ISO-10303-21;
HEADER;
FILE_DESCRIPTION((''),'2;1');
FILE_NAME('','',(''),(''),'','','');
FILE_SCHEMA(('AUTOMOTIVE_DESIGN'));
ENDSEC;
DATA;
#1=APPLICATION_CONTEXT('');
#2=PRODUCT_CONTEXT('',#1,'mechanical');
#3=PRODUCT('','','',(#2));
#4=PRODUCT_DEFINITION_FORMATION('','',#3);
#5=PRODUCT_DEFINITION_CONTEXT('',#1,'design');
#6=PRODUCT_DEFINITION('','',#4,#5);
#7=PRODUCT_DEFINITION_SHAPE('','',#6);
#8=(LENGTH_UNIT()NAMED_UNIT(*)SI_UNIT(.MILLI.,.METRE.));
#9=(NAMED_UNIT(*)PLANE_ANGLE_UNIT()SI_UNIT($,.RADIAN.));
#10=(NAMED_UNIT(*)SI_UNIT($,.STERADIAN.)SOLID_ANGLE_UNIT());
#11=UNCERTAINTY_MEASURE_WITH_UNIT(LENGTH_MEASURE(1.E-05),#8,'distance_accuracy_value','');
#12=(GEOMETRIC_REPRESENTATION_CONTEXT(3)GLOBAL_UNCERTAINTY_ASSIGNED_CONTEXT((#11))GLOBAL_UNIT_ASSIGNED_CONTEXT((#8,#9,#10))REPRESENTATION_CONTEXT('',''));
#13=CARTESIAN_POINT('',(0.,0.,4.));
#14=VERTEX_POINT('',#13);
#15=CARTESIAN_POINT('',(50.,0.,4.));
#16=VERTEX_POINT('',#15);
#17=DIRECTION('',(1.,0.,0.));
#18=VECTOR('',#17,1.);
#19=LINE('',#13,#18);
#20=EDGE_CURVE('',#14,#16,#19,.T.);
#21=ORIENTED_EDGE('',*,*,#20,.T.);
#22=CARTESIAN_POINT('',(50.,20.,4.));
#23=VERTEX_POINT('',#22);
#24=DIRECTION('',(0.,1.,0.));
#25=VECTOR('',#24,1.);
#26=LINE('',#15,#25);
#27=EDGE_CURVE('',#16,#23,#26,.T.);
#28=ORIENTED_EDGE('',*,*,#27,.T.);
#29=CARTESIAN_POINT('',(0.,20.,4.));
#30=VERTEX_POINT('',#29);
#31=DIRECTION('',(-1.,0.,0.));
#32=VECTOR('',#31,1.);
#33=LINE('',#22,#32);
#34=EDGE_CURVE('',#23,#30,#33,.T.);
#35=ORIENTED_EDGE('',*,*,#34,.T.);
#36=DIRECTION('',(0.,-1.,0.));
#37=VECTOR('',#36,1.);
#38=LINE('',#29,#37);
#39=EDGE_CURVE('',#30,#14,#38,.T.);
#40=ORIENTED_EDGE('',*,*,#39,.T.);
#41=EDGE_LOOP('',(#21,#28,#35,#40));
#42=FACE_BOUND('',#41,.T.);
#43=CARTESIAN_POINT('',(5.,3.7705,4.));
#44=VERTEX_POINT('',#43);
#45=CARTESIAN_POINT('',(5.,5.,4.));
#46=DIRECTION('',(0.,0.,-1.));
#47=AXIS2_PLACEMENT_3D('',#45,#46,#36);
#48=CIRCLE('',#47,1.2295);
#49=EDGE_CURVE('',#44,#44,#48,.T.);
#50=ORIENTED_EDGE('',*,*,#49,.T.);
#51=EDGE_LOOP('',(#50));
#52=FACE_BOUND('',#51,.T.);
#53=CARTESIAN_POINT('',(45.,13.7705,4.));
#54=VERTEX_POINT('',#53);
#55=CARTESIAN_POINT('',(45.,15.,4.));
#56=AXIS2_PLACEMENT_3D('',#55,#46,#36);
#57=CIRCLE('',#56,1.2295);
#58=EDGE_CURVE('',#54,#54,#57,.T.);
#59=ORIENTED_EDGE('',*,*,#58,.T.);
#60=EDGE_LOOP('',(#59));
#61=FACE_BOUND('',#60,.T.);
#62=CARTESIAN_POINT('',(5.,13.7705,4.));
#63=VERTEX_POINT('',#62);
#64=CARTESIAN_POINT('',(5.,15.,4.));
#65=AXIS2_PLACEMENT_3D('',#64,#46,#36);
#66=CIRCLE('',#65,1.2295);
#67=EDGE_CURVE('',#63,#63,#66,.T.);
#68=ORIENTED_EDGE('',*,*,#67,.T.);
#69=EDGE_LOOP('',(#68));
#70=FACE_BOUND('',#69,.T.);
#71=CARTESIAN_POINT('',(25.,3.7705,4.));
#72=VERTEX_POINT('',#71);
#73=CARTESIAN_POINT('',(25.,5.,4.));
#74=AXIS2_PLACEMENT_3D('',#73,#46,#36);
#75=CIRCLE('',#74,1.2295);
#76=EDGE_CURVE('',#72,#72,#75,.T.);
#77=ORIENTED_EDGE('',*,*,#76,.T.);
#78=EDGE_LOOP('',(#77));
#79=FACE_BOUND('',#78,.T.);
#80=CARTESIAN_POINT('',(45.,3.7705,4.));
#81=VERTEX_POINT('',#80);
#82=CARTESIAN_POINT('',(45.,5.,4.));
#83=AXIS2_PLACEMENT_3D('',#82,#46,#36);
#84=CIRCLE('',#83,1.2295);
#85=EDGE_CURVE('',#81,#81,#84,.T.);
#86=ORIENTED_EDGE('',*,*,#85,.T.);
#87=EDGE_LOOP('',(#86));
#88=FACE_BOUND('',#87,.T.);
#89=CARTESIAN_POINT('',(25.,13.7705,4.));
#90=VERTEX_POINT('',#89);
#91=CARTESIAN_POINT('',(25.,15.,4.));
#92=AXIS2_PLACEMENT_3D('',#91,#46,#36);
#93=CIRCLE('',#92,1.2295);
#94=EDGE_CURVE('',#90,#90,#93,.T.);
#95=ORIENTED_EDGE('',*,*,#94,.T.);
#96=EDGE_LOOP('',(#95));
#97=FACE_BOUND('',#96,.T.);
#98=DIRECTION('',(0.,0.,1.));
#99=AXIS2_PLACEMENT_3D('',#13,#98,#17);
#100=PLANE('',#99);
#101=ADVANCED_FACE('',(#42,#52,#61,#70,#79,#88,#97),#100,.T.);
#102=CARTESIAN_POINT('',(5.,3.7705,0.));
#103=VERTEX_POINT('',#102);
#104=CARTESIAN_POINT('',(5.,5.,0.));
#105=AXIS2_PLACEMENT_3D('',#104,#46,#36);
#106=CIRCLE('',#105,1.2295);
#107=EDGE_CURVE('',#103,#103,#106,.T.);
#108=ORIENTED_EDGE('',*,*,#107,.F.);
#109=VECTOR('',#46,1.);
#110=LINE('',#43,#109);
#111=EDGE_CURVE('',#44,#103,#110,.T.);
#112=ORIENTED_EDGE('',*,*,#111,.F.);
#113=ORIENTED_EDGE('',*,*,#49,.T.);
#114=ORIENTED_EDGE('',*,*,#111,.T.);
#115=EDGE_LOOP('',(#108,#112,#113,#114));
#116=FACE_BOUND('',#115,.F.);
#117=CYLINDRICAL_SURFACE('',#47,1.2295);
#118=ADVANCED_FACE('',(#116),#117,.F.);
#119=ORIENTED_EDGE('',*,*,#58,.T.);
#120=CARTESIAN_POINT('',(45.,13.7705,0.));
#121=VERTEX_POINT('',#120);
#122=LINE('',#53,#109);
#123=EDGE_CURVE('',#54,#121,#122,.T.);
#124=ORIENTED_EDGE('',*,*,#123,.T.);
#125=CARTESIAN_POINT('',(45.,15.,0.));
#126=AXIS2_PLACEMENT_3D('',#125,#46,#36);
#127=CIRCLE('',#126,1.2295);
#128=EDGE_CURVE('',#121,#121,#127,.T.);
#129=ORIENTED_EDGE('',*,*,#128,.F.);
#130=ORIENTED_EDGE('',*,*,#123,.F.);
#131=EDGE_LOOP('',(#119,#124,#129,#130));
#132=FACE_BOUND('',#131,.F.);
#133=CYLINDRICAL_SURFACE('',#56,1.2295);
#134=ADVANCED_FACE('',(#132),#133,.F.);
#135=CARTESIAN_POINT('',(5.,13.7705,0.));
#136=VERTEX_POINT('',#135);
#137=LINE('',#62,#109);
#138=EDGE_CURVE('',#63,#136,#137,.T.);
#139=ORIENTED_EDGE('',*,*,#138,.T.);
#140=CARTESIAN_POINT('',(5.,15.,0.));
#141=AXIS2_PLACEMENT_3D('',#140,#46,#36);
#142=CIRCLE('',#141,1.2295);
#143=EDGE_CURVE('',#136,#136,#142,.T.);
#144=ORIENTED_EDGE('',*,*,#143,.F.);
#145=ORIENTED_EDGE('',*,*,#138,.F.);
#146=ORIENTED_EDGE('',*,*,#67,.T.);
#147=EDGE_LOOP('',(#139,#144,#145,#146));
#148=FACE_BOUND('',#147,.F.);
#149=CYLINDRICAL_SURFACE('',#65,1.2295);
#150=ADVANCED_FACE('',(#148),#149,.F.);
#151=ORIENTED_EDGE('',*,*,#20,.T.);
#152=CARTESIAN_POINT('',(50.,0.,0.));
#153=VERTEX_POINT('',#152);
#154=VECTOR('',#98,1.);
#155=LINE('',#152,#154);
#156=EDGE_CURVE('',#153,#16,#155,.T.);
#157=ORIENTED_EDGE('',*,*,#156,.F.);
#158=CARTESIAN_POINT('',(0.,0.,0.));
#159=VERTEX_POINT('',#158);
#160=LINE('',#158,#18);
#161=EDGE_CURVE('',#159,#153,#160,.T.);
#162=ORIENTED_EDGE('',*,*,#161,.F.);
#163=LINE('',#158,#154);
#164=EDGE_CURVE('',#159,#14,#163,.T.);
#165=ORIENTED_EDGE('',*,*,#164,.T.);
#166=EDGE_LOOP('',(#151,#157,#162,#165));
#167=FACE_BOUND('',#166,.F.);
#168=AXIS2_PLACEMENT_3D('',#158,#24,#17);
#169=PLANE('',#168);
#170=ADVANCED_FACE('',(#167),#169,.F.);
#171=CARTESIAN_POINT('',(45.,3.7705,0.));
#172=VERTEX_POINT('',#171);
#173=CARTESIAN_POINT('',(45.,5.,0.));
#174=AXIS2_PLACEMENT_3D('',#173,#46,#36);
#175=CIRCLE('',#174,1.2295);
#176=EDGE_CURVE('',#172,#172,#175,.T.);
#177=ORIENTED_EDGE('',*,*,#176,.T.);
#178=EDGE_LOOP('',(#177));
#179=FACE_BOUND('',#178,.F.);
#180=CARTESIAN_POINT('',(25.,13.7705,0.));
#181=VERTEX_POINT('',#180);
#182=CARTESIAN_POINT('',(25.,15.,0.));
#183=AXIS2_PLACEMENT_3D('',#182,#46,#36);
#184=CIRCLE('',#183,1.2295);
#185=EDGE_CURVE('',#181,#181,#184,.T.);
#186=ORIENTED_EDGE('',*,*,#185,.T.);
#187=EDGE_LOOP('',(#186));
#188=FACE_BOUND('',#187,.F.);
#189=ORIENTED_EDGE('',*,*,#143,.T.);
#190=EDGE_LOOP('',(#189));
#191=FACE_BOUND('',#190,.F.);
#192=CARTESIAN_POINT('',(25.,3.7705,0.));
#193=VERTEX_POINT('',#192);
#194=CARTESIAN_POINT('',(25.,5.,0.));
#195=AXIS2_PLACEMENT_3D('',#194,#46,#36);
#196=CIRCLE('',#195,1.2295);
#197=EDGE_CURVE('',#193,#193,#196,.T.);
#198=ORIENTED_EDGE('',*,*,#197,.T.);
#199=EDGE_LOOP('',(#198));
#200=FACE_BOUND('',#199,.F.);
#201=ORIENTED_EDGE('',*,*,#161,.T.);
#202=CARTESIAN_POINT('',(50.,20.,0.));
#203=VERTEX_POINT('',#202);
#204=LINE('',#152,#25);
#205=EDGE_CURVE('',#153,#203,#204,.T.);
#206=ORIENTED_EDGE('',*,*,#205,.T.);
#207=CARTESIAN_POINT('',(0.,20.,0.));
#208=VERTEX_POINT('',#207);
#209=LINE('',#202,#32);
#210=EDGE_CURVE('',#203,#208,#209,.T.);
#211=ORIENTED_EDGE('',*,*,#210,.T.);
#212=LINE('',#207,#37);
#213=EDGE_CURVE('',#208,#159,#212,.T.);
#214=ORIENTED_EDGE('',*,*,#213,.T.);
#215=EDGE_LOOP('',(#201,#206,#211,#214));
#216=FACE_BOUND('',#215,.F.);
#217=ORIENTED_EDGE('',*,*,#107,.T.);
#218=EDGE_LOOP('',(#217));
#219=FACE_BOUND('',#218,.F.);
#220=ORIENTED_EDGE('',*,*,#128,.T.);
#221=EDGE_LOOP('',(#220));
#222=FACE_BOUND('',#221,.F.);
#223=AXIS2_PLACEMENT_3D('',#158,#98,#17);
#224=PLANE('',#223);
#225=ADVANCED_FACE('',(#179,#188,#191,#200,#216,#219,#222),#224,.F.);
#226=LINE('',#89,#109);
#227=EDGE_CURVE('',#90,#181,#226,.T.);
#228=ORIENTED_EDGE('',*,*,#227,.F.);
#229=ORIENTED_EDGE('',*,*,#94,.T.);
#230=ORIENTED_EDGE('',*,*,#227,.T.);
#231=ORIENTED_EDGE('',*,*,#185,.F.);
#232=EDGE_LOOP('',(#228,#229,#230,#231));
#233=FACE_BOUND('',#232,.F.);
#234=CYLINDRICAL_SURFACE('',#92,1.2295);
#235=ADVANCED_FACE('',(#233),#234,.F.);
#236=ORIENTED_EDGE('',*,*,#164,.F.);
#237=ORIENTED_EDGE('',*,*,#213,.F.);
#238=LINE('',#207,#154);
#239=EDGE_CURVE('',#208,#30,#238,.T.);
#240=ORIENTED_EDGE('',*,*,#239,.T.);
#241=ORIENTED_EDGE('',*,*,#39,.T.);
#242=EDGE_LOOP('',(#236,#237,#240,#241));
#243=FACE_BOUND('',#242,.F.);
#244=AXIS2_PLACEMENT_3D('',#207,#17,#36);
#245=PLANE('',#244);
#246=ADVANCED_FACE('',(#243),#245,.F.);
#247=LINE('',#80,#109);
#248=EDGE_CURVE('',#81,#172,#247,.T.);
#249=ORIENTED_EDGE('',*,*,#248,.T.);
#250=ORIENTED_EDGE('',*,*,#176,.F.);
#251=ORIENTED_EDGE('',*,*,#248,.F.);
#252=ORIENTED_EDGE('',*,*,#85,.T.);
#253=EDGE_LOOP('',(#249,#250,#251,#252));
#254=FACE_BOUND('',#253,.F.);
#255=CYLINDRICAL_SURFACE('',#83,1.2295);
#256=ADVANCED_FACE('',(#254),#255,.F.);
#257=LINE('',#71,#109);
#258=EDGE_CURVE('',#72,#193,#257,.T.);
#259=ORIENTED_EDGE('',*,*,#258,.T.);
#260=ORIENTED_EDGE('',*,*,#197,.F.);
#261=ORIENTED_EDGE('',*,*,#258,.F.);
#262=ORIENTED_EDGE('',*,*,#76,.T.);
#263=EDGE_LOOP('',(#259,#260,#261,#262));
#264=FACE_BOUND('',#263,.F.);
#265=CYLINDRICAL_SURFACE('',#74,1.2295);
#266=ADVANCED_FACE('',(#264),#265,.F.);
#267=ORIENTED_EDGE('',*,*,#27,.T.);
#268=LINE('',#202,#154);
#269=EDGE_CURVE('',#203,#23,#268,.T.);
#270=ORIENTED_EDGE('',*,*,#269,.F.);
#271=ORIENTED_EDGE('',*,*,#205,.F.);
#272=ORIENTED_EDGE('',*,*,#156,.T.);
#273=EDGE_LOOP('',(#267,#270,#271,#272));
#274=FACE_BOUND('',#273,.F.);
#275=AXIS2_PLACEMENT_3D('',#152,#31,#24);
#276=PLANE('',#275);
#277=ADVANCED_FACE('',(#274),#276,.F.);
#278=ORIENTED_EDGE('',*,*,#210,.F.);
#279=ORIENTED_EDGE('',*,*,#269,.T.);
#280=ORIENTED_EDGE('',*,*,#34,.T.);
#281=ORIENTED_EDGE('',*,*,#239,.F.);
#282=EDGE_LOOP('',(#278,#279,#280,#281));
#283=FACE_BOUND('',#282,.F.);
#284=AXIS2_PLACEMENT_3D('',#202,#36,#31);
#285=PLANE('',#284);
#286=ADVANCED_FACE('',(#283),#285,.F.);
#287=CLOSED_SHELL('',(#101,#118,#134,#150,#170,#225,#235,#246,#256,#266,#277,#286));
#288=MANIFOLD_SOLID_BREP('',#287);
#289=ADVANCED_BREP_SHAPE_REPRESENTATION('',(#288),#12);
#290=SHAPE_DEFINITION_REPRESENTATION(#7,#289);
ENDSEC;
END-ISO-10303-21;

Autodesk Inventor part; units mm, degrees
ref_plane "YZ Plane" through (0, 0, 0) normal (1, 0, 0) x (0, 1, 0)
ref_plane "XZ Plane" through (0, 0, 0) normal (0, 1, 0) x (-1, 0, 0)
ref_plane "XY Plane" through (0, 0, 0) normal (0, 0, 1) x (1, 0, 0)
sketch "Skizze1" plane through (0, 0, 0) normal (0, 0, 1) x (1, 0, 0)
  line L0 (0, 0) -> (50, 0)
  line L1 (50, 0) -> (50, 20)
  line L2 (50, 20) -> (0, 20)
  line L3 (0, 20) -> (0, 0)
  dimension "d0" = 20
  dimension "d1" = 50
extrude "Extrusion1" add sketch "Skizze1" along normal blind 4
sketch "Skizze2" plane through (0, 0, 4) normal (0, 0, 1) x (1, 0, 0)
  line L0 (0, 0) -> (0, 20) projected
  line L1 (50, 0) -> (0, 0) projected
  line L2 (0, 20) -> (50, 20) projected
  line L3 (5, 15) -> (45, 15)
  line L4 (45, 15) -> (45, 5)
  line L5 (45, 5) -> (5, 5)
  line L6 (5, 5) -> (5, 15)
  line L7 (25, 0) -> (25, 20)
  line L8 (0, 10) -> (6.0209, 10)
  point P0 (25, 5)
  point P1 (25, 15)
  dimension "d4" = 10
  dimension "d5" = 5
hole "Bohrung1" at (5, 15, 4) at (5, 5, 4) at (25, 5, 4) at (25, 15, 4) at (45, 15, 4) at (45, 5, 4) direction (0, 0, -1) diameter 2.459 end through all thread size "M3x0.5" class "6H" standard "ISO Metric profile"
properties part number "13_0204_063"
